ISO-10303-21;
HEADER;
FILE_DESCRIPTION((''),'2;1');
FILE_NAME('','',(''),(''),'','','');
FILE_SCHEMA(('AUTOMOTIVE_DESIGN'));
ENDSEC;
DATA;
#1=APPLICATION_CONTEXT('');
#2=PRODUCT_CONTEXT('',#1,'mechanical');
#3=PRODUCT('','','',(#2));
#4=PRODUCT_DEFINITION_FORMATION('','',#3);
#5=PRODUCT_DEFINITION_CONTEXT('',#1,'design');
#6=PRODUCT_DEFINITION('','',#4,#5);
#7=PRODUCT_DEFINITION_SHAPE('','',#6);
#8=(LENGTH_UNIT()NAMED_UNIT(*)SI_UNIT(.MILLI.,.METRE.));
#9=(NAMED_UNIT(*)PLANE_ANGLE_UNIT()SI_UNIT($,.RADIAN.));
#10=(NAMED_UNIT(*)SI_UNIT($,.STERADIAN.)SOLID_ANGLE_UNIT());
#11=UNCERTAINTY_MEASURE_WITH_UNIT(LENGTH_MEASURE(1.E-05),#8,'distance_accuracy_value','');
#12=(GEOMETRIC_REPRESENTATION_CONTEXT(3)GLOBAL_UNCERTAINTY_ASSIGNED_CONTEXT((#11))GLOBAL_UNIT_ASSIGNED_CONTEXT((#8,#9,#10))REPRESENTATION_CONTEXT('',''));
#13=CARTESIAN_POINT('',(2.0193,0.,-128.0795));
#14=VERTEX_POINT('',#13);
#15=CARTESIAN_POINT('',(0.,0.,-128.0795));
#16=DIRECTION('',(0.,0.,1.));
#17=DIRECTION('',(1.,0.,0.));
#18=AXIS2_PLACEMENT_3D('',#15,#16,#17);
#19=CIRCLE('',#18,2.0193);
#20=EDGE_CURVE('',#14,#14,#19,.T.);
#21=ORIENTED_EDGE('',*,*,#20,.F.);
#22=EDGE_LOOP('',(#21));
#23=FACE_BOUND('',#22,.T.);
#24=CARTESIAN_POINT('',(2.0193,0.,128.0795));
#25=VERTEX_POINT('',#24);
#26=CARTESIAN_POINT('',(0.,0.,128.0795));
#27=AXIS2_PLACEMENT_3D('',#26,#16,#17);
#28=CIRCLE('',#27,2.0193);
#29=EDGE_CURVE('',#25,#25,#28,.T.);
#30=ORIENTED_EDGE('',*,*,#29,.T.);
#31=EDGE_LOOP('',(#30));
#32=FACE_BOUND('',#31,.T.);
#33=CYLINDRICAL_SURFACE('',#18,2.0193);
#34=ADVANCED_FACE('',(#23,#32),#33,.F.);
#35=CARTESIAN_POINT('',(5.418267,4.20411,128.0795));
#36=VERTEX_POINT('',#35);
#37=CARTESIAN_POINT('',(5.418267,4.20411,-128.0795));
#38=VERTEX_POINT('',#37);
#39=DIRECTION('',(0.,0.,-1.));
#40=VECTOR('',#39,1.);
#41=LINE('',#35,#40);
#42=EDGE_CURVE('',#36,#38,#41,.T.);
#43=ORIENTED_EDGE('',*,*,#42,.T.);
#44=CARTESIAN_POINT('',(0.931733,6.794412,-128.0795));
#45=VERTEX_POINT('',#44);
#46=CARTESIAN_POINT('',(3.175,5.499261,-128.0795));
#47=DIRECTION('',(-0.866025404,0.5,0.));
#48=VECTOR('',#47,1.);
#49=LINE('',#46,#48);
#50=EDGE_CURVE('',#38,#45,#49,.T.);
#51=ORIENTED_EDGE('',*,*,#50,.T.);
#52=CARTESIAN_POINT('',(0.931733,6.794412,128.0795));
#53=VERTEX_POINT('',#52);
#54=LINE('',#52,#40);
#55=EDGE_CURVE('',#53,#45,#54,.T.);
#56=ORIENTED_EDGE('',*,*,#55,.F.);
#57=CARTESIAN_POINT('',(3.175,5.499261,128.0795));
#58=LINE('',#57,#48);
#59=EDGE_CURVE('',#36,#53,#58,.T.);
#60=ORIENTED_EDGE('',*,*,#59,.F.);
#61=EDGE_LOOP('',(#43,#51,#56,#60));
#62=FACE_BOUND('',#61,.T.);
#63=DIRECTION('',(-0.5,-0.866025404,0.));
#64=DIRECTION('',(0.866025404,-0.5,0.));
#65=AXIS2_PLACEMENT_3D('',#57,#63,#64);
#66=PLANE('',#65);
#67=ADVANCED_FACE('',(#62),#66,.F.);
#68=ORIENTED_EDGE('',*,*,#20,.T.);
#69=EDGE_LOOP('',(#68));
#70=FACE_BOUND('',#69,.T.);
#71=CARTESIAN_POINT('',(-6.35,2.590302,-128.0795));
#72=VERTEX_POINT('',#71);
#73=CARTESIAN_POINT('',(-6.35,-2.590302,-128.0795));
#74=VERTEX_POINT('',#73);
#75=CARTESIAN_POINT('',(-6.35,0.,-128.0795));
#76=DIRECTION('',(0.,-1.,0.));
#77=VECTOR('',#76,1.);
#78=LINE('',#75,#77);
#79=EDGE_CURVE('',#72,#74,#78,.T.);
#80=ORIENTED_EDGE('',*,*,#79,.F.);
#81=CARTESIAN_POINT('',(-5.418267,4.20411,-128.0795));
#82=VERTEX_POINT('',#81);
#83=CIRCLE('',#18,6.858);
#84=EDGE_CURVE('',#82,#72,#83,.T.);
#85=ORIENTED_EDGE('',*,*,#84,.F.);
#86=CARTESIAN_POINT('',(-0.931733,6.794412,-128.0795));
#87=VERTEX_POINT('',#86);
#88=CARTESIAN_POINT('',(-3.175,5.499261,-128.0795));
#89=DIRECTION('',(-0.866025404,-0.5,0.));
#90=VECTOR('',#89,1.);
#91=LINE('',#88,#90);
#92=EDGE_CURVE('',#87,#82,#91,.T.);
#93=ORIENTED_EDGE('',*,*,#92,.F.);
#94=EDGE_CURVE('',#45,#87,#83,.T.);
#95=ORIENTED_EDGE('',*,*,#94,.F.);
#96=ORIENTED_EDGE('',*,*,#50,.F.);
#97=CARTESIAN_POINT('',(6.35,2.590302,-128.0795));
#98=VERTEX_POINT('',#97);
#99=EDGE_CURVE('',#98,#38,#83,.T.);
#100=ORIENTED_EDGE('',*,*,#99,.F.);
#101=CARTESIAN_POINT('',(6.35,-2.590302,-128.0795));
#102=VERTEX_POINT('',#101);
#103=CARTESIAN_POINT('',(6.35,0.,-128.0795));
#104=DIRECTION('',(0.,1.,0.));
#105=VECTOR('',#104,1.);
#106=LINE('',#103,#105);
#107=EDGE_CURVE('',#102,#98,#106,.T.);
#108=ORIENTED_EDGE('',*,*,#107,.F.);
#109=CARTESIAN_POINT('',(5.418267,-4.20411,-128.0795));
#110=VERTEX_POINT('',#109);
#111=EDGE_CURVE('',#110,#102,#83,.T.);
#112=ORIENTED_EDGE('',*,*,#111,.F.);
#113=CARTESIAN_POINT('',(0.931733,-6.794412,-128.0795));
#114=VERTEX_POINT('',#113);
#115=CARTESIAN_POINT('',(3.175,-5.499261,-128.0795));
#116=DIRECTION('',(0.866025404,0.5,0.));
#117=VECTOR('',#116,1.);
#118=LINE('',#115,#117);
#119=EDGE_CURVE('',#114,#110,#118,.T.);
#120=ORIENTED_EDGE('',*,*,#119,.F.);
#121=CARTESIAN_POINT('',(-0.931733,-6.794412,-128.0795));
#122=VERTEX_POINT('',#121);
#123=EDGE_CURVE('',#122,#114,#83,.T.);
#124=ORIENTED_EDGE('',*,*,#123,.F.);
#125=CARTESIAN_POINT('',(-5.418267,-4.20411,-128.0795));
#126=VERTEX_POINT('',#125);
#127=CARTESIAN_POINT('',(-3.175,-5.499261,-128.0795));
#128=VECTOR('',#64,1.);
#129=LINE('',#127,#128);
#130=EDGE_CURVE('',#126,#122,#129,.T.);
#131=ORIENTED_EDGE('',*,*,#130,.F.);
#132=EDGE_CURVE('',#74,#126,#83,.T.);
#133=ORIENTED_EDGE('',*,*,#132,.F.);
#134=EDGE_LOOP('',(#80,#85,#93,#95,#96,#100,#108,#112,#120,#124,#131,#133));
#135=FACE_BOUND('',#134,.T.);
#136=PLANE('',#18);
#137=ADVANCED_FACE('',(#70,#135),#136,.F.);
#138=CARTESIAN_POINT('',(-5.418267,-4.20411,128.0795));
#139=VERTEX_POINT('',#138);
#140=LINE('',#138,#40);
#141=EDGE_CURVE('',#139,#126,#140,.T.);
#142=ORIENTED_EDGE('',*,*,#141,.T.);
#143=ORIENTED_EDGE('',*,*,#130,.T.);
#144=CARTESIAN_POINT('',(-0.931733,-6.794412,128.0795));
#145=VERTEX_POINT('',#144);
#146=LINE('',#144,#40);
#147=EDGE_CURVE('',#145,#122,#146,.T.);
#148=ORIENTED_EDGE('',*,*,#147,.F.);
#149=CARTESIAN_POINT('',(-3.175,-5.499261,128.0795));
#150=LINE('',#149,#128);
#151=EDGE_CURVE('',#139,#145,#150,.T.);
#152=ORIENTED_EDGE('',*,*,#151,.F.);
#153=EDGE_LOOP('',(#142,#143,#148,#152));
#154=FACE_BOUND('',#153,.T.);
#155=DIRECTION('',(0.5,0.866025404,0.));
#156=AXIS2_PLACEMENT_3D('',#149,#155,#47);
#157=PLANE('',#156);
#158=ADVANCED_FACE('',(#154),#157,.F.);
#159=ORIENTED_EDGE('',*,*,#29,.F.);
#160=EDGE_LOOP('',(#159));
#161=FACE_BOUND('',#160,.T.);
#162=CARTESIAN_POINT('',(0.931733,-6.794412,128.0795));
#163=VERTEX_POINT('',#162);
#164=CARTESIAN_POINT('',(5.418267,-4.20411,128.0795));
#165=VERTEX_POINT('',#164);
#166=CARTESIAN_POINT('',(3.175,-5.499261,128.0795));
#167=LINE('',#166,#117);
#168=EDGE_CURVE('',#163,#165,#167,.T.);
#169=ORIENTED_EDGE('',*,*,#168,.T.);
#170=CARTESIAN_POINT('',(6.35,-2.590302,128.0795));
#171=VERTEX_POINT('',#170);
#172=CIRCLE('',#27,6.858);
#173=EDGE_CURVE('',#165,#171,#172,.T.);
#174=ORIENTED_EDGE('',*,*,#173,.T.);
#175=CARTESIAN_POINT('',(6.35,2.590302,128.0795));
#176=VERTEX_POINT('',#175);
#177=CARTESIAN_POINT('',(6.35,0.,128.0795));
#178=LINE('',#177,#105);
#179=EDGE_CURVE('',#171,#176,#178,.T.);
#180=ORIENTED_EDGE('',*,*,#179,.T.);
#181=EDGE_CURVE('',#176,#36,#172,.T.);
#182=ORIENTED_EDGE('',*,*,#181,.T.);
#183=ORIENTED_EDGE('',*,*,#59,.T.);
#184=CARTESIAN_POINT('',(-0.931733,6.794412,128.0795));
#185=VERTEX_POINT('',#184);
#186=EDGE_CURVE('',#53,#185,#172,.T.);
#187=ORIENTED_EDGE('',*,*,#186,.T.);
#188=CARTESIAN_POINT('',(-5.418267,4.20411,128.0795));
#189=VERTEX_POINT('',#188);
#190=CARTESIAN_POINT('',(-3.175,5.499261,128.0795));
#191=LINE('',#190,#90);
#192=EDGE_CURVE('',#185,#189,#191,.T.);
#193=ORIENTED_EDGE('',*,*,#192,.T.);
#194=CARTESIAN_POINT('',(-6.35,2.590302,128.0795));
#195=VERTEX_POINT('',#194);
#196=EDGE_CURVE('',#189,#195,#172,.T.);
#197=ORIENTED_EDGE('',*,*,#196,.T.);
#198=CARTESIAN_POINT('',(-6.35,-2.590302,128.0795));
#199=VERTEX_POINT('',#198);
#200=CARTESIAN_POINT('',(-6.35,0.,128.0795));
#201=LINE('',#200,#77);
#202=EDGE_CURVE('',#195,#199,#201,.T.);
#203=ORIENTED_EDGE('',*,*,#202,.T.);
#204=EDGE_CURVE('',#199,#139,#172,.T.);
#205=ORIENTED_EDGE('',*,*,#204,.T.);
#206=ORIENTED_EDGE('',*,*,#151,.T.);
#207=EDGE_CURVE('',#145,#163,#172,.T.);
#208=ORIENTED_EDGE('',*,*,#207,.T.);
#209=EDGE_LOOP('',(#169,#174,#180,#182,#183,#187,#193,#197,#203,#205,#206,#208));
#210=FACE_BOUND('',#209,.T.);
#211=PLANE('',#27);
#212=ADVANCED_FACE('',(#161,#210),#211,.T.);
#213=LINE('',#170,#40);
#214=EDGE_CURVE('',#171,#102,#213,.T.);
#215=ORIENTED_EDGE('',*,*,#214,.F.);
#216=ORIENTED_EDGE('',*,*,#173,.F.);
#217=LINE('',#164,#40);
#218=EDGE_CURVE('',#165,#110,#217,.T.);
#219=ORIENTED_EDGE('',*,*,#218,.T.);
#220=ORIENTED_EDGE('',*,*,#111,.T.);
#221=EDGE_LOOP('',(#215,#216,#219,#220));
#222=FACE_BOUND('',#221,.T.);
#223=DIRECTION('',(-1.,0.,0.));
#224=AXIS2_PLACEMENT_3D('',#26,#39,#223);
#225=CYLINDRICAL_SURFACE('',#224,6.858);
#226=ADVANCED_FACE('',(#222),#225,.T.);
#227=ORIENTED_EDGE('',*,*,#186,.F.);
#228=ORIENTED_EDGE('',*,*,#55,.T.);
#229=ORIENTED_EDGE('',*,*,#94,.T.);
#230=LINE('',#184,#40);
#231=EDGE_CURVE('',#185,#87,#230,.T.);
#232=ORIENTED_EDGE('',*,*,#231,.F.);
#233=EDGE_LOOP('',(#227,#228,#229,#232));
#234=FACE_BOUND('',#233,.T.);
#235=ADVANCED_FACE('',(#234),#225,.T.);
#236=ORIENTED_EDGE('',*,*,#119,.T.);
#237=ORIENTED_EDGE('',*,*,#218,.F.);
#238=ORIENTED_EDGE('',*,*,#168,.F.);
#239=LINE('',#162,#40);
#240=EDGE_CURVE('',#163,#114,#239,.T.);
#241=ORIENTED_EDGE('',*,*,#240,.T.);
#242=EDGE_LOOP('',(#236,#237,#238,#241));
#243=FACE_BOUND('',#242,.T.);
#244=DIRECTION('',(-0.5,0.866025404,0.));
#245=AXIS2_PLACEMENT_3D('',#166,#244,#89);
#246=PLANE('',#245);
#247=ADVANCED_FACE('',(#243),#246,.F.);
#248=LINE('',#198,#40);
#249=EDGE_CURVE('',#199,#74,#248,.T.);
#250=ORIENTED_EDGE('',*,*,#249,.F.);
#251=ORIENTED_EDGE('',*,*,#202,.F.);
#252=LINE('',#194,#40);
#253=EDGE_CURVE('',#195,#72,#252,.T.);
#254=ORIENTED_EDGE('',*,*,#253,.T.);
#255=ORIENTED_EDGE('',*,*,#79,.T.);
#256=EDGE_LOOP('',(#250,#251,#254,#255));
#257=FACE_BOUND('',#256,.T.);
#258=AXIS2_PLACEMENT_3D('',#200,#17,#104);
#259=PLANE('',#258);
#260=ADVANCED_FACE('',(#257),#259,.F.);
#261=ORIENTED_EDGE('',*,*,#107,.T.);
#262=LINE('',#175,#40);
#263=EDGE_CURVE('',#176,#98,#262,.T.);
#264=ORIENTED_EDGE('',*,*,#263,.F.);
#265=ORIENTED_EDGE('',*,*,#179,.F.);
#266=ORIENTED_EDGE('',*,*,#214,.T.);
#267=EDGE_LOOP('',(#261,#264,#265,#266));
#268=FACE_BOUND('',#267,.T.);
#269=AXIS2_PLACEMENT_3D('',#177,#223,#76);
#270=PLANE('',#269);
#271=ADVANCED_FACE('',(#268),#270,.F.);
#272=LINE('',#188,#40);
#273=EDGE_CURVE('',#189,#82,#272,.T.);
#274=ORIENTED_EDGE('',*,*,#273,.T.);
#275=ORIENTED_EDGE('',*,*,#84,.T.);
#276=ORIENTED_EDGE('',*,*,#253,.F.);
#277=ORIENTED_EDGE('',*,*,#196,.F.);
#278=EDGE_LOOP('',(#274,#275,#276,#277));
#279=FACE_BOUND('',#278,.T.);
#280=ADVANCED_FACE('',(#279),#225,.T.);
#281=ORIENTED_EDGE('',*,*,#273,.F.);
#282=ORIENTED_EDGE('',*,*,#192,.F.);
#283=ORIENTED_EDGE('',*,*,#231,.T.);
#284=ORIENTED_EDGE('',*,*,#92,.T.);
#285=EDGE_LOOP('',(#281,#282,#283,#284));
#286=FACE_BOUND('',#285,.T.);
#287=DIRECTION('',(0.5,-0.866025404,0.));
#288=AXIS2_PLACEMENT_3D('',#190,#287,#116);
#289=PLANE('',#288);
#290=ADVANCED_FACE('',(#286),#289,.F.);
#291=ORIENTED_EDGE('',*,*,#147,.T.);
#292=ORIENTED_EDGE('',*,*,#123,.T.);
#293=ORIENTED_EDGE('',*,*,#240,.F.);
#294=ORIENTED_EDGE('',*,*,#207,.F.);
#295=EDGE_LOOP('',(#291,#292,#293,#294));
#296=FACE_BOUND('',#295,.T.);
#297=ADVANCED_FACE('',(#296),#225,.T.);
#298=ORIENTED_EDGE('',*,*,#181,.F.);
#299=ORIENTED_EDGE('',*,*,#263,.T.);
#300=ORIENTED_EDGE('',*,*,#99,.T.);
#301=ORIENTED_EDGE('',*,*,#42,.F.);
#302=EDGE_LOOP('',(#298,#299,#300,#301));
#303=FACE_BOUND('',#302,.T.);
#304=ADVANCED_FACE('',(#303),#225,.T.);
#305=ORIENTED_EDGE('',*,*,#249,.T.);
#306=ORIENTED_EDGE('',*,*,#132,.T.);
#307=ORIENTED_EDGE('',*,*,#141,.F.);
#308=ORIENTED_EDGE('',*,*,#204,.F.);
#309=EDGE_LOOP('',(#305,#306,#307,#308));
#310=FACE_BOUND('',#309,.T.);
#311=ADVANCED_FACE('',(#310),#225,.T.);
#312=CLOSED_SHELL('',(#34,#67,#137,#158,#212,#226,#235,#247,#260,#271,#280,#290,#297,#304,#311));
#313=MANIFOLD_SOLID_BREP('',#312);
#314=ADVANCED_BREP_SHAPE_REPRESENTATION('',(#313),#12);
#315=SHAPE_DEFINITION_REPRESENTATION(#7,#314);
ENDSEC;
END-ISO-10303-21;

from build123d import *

# Parameters (mm, degrees)
BOSS_EXTRUDE1_DEPTH = 128.0795
SKETCH2_R           = 2.0193
CUT_EXTRUDE1_DEPTH  = 257.329451966


with BuildPart() as part:
    # Sketch1 → Boss-Extrude1 (new, symmetric)
    with BuildSketch(Plane.XY):
        with BuildLine():
            ThreePointArc((0.93173274, 6.79441227), (0, 6.858), (-0.93173274, 6.79441227))
            Line((-0.93173274, 6.79441227), (-5.41826726, 4.204110358))
            ThreePointArc((-5.41826726, 4.204110358), (-5.939202219, 3.429), (-6.35, 2.590301913))
            Line((-6.35, 2.590301913), (-6.35, -2.590301913))
            ThreePointArc((-6.35, -2.590301913), (-5.939202219, -3.429), (-5.41826726, -4.204110358))
            Line((-5.41826726, -4.204110358), (-0.93173274, -6.79441227))
            ThreePointArc((-0.93173274, -6.79441227), (0, -6.858), (0.93173274, -6.79441227))
            Line((0.93173274, -6.79441227), (5.41826726, -4.204110358))
            ThreePointArc((5.41826726, -4.204110358), (5.939202219, -3.429), (6.35, -2.590301913))
            Line((6.35, -2.590301913), (6.35, 2.590301913))
            ThreePointArc((6.35, 2.590301913), (5.939202219, 3.429), (5.41826726, 4.204110358))
            Line((5.41826726, 4.204110358), (0.93173274, 6.79441227))
        make_face()
    extrude(amount=BOSS_EXTRUDE1_DEPTH, both=True)

    # Sketch2 → Cut-Extrude1 (cut, through all)
    with BuildSketch(Plane.XY.offset(128.0795)):
        Circle(SKETCH2_R)
    extrude(amount=-CUT_EXTRUDE1_DEPTH, mode=Mode.SUBTRACT)


solid = part.part
